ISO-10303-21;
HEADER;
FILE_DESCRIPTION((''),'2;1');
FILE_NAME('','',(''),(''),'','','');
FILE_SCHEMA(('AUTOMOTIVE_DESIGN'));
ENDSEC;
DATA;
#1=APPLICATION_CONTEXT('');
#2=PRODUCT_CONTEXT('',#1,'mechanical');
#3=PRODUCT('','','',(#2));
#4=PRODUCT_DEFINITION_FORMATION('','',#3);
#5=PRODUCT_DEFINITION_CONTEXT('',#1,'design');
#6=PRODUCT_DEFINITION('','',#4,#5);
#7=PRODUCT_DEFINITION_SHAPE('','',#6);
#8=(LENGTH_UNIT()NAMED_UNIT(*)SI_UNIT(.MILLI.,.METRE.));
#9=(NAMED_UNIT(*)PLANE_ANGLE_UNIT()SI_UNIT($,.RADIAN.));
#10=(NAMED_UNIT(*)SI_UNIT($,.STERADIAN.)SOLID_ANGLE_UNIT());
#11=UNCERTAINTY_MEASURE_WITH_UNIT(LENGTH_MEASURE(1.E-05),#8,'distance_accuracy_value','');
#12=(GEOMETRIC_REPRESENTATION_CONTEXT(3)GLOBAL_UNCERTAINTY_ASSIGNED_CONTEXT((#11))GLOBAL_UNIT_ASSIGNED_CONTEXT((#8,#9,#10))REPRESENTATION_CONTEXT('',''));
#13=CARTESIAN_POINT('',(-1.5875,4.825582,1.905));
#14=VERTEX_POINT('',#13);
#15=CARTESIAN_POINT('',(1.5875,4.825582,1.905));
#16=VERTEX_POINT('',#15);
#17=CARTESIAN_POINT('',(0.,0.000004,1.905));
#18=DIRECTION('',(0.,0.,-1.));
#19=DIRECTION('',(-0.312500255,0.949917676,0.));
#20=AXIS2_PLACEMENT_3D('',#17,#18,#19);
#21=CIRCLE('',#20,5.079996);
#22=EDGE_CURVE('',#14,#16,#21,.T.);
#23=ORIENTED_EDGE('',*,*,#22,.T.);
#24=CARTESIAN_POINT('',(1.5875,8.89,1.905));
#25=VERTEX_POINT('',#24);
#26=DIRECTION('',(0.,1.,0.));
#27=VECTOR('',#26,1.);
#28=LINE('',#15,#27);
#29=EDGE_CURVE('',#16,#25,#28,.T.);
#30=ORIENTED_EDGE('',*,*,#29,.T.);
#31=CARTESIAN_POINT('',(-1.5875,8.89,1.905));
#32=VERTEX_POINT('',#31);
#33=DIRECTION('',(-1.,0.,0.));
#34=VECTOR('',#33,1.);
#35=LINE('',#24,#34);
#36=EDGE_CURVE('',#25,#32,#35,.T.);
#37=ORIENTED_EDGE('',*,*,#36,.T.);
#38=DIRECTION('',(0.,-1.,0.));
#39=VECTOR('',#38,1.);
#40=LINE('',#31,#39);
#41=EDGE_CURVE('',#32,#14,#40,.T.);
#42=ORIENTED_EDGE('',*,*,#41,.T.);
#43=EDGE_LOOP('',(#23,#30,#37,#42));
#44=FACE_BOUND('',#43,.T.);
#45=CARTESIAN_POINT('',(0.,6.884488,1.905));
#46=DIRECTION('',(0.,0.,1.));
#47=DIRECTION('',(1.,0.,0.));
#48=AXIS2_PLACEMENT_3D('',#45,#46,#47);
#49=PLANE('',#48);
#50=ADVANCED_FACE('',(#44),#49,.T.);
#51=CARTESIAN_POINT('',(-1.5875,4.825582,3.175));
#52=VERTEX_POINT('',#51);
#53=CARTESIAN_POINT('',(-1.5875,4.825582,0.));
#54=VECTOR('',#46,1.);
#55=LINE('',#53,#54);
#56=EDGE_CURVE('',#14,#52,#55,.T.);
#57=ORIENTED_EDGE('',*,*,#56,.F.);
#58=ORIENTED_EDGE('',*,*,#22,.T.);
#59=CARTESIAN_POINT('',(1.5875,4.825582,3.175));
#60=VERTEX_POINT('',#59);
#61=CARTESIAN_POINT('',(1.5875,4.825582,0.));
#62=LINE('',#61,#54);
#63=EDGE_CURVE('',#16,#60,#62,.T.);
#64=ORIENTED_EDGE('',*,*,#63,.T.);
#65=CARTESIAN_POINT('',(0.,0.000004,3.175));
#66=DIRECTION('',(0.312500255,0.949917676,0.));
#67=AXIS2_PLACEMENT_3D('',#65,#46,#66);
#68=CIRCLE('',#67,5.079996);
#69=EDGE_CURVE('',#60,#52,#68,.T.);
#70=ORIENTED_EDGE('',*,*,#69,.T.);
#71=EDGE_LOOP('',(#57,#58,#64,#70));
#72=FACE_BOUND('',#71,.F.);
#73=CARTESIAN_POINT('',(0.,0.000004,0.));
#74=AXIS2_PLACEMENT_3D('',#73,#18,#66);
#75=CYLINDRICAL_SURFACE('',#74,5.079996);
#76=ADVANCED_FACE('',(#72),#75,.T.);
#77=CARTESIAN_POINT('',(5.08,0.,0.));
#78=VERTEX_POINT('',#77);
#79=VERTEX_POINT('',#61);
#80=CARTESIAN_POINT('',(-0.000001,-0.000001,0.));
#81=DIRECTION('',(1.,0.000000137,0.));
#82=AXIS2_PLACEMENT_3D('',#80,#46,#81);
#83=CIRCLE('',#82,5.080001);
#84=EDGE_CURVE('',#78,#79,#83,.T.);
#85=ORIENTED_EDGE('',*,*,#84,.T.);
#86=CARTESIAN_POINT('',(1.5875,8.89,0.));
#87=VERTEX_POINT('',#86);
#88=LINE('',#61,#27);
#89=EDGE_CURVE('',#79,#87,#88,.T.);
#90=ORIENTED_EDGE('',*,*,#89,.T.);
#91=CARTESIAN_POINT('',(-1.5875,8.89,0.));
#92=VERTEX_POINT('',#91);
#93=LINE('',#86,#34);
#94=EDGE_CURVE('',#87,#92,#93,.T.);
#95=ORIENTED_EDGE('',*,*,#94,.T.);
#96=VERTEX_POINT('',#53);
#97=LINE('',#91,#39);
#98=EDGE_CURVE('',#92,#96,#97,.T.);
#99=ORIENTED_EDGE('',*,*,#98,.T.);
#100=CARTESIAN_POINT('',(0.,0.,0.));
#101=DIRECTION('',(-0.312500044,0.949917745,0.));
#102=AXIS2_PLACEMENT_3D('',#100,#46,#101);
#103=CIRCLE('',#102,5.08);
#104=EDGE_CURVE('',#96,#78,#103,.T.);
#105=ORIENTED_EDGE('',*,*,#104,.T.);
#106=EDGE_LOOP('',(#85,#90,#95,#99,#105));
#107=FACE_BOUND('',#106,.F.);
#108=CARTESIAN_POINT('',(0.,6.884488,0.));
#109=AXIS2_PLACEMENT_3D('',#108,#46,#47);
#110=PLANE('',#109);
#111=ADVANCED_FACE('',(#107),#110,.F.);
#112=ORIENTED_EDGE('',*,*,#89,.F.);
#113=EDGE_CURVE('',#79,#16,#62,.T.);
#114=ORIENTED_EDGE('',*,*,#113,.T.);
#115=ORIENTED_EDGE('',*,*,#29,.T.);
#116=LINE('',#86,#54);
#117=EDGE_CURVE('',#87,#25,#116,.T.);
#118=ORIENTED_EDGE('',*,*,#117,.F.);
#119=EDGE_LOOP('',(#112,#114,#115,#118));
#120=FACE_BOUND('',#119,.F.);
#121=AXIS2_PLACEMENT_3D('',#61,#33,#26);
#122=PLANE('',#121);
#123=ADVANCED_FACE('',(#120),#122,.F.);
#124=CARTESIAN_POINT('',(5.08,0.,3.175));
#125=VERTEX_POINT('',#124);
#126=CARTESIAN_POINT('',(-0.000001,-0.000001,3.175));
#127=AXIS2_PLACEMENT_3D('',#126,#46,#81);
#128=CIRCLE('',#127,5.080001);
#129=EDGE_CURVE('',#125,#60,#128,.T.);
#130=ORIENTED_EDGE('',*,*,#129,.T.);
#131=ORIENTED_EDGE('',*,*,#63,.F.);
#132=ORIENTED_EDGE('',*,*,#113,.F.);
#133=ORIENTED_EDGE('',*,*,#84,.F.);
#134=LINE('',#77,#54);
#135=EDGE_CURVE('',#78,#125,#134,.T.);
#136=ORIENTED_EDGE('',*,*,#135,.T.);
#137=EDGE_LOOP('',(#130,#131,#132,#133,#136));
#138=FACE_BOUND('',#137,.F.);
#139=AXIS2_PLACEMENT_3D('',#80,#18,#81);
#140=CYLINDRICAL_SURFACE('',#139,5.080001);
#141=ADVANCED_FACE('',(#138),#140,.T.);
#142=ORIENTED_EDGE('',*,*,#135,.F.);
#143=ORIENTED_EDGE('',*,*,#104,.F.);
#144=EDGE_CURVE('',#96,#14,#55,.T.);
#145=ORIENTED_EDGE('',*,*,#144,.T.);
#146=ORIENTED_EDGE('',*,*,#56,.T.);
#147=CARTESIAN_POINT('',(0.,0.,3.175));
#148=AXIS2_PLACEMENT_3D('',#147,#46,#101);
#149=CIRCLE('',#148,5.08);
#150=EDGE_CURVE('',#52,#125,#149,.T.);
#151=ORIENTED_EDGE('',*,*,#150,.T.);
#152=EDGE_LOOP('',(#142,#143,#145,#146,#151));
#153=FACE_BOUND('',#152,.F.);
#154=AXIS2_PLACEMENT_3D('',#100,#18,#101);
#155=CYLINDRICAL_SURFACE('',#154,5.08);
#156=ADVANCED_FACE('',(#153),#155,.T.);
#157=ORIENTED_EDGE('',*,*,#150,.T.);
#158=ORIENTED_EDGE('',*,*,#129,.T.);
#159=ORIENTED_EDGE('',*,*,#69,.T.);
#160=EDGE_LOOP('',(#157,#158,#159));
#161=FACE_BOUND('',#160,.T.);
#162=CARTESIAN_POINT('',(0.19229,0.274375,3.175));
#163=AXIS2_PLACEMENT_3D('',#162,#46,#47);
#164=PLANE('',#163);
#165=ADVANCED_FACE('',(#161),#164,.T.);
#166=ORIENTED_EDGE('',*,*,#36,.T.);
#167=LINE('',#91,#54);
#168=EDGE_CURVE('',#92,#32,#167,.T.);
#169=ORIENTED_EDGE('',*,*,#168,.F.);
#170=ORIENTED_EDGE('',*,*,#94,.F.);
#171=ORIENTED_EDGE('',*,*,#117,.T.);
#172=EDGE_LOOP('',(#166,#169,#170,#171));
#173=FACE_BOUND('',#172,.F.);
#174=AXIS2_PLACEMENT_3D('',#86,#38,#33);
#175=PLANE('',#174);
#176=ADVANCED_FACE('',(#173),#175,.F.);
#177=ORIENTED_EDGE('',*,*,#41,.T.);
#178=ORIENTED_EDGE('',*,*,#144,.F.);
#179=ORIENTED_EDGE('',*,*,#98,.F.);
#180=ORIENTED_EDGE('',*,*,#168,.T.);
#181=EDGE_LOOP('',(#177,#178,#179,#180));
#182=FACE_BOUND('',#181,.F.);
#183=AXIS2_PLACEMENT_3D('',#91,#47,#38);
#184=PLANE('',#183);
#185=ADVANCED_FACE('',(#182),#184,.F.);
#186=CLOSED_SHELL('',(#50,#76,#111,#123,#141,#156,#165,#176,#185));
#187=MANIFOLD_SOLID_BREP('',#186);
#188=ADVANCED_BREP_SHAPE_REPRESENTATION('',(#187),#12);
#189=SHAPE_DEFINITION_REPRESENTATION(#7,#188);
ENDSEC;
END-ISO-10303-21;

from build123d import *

# Parameters (mm, degrees)
F1_DEPTH = 3.175
F2_DEPTH = 1.905


with BuildPart() as f1:
    # F0 (on Top) → F1 (new body)
    with BuildSketch(Plane.XY):
        with BuildLine():
            ThreePointArc((-1.5875, 4.825582), (-2.978414, -4.11527), (5.08, 0))
            ThreePointArc((5.08, 0), (4.11527, 2.978414), (1.5875, 4.825582))
            ThreePointArc((1.5875, 4.825582), (0, 5.08), (-1.5875, 4.825582))
        make_face()
    extrude(amount=F1_DEPTH)

    # F0 (on Top) → F2 (join)
    with BuildSketch(Plane.XY):
        with BuildLine():
            ThreePointArc((-1.5875, 4.825582), (0, 5.08), (1.5875, 4.825582))
            Line((1.5875, 4.825582), (1.5875, 8.89))
            Line((1.5875, 8.89), (-1.5875, 8.89))
            Line((-1.5875, 8.89), (-1.5875, 4.825582))
        make_face()
    extrude(amount=F2_DEPTH)


solid = f1.part
